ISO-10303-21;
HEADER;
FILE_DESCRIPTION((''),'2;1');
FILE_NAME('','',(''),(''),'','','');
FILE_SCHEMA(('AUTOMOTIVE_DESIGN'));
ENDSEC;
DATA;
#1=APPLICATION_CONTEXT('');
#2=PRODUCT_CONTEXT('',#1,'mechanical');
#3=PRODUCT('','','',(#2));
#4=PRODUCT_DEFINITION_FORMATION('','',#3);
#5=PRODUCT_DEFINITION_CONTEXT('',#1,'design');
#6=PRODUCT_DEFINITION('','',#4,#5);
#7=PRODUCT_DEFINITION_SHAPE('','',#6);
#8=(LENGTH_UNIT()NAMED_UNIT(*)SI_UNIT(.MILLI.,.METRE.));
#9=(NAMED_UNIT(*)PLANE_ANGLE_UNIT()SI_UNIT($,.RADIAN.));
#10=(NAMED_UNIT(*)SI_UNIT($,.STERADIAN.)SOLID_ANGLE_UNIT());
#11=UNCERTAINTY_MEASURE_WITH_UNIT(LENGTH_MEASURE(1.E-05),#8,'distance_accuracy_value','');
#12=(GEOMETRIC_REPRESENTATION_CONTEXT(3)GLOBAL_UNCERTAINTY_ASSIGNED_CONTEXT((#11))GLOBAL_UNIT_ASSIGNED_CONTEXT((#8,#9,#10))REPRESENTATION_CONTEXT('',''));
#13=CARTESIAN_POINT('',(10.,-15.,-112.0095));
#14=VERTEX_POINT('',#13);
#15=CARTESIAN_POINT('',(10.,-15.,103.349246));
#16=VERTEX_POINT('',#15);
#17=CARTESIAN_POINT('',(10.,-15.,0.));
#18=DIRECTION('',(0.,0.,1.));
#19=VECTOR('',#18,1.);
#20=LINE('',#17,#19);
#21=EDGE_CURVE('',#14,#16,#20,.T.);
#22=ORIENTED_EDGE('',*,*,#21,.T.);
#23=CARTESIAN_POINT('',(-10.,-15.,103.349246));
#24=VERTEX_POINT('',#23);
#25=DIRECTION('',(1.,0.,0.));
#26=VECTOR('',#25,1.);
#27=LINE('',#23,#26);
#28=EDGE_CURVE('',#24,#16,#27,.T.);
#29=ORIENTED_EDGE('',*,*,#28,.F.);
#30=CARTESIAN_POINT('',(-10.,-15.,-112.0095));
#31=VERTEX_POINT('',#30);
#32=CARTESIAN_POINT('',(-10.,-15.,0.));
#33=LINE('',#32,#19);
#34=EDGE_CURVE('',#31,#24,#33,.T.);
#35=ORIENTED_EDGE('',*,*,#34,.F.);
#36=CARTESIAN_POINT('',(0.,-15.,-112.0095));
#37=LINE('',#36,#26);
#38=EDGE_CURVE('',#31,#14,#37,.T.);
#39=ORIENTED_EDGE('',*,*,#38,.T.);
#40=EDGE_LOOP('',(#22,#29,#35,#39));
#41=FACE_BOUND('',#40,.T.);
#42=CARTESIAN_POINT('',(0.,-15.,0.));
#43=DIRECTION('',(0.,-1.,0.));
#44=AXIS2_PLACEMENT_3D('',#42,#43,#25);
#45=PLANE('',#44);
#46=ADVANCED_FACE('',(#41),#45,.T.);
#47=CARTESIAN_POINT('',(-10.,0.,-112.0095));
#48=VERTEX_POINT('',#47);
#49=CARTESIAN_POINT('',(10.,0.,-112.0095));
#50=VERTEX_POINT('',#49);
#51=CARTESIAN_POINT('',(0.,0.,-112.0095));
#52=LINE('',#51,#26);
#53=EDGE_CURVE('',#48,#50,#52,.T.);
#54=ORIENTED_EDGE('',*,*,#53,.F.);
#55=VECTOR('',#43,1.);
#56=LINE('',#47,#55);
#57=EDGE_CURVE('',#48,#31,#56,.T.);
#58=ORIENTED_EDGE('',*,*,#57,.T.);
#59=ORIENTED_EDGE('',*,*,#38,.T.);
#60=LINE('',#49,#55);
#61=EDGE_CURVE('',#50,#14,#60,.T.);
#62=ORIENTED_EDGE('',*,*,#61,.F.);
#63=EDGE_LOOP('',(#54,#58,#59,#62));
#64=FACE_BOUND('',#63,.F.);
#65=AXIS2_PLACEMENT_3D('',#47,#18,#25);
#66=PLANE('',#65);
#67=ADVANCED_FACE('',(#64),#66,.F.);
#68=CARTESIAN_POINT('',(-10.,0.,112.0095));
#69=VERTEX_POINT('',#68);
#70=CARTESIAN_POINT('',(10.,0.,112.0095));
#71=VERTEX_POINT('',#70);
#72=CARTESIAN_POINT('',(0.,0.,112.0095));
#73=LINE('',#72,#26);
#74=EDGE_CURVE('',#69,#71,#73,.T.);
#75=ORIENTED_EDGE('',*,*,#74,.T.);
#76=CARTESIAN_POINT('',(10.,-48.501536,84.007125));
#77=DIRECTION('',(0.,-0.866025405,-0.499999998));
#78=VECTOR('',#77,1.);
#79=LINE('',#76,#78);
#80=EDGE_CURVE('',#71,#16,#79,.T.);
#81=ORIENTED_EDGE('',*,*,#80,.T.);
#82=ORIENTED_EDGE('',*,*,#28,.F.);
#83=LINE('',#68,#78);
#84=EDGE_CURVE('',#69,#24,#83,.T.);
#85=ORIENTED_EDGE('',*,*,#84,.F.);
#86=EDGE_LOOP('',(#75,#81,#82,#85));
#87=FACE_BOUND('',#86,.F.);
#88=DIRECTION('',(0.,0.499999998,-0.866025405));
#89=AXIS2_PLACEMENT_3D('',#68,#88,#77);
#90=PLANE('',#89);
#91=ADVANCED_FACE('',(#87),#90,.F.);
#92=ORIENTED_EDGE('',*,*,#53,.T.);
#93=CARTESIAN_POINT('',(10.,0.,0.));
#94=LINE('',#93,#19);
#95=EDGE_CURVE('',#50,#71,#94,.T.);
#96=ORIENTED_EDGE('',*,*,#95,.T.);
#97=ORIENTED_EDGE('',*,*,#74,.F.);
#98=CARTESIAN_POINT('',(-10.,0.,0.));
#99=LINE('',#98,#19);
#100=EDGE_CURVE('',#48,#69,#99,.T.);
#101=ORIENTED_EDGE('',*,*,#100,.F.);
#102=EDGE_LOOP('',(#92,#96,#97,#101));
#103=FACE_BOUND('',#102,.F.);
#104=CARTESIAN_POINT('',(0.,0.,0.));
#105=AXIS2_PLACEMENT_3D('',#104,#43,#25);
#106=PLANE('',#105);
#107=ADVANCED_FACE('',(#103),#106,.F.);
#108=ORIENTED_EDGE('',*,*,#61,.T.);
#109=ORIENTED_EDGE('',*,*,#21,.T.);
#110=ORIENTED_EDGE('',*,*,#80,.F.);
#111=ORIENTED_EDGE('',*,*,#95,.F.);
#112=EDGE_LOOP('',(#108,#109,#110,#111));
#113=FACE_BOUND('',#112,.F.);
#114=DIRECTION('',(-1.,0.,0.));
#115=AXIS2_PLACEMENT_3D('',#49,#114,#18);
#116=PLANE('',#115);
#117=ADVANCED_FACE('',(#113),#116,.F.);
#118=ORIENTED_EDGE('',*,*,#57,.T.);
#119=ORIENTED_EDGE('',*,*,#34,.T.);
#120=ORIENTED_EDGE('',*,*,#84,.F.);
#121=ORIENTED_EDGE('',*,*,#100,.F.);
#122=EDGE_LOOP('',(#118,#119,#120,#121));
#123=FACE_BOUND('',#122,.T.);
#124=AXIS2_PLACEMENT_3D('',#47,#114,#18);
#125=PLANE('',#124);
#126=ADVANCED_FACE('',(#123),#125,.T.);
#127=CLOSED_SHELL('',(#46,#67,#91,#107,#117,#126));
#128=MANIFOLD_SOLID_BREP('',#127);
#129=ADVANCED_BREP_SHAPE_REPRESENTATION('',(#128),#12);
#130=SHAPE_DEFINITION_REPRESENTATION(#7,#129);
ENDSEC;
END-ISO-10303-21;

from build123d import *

# Parameters (mm, degrees)
F0_W     = 20
F0_H     = 224.019
F1_DEPTH = 15
F3_DEPTH = 20.001


with BuildPart() as f1:
    # F0 (on Front) → F1 (new body)
    with BuildSketch(Plane.XZ):
        Rectangle(F0_W, F0_H)
    extrude(amount=F1_DEPTH)

    # F2 (on face) → F3 (cut, through all)
    with BuildSketch(Plane(origin=(-10, 0, 0), x_dir=(0, -1, 0), z_dir=(-1, 0, 0))):
        Polygon((15, 112.0095), (0, 112.0095), (15, 103.349246), align=None)
    extrude(amount=-F3_DEPTH, mode=Mode.SUBTRACT)


solid = f1.part
